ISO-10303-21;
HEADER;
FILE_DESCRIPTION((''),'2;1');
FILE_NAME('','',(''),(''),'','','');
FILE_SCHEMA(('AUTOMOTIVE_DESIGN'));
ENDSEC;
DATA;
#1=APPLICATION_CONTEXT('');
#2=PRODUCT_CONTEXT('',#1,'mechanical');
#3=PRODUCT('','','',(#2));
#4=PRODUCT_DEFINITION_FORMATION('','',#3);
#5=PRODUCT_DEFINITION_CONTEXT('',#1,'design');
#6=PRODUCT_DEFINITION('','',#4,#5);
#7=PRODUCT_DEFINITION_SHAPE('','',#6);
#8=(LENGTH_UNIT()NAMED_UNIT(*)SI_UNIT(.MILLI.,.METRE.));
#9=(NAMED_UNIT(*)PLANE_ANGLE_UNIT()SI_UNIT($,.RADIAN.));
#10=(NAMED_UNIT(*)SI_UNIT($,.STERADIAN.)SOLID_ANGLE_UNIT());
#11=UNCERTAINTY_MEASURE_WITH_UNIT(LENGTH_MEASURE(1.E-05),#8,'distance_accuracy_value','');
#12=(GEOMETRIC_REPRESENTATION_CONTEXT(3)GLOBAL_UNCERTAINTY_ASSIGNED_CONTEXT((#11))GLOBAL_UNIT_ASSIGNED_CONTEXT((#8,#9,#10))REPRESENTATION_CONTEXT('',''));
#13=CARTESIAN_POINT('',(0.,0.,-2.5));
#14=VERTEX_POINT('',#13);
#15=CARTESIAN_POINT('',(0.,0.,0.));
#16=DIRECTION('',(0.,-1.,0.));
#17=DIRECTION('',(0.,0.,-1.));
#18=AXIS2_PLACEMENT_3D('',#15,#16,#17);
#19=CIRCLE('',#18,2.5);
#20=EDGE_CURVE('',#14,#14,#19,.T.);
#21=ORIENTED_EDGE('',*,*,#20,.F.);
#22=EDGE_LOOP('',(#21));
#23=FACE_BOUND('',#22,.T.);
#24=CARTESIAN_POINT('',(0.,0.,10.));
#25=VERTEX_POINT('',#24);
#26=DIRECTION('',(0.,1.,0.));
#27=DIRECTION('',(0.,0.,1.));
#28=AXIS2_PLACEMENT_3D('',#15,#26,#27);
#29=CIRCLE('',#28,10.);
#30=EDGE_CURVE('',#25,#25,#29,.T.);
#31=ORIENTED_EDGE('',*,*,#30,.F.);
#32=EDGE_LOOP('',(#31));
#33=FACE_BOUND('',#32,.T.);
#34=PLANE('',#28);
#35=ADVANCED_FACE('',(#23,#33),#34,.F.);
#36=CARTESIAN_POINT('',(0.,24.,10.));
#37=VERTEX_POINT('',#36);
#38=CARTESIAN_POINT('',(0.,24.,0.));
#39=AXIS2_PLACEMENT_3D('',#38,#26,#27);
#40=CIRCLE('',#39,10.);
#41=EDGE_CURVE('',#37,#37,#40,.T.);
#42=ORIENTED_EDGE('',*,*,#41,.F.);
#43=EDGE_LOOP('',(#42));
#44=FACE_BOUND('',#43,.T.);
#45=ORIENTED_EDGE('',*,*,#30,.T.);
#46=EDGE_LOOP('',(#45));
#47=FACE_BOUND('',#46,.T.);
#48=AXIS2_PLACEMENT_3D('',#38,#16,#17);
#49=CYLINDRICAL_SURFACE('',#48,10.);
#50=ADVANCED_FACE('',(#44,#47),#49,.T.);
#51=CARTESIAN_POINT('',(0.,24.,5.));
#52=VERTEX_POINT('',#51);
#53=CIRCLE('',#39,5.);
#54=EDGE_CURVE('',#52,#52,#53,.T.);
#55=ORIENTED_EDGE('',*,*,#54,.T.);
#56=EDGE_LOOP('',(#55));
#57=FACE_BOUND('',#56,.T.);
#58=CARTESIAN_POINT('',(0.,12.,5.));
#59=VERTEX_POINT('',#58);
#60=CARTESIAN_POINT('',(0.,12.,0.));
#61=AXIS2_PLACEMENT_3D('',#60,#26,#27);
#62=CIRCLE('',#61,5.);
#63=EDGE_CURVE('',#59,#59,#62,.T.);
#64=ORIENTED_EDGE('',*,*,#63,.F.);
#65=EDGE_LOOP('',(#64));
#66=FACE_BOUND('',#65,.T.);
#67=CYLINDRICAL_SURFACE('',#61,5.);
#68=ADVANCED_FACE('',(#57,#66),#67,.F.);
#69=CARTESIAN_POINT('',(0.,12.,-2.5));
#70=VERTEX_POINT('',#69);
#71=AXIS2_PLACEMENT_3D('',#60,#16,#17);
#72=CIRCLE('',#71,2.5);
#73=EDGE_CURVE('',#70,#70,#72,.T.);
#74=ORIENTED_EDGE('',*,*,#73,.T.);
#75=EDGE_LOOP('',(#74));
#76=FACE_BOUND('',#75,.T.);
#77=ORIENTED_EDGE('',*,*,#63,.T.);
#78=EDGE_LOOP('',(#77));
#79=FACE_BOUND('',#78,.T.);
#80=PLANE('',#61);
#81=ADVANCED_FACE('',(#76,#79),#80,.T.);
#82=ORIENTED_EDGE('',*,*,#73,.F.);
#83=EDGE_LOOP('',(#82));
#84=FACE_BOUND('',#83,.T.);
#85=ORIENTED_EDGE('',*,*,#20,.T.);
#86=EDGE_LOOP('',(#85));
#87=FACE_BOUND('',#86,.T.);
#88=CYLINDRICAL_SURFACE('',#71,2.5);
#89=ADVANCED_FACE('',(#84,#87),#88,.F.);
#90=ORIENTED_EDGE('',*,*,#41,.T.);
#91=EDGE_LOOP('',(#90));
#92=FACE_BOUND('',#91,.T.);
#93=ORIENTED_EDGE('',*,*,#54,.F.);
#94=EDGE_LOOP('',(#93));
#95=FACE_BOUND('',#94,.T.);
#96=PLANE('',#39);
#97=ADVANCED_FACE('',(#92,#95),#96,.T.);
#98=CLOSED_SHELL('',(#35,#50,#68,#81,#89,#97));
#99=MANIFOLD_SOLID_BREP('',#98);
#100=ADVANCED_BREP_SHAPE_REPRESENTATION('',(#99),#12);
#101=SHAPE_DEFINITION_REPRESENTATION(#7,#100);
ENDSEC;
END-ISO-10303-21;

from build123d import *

# Parameters (mm, degrees)
SKETCH_1_R          = 10
EXTRUDE_1_DEPTH     = 24
SKETCH_3_R          = 5
CUT_EXTRUDE_1_DEPTH = 12
SKETCH_4_R          = 2.5
CUT_EXTRUDE_2_DEPTH = 12


with BuildPart() as part:
    # 草图1 → 凸台-拉伸1 (new body)
    with BuildSketch(Plane(origin=(0, 0, 0), x_dir=(1, 0, 0), z_dir=(0, 1, 0))):
        Circle(SKETCH_1_R)
    extrude(amount=EXTRUDE_1_DEPTH)

    # 草图3 → 切除-拉伸1 (cut)
    with BuildSketch(Plane(origin=(0, 24, 0), x_dir=(1, 0, 0), z_dir=(0, 1, 0))):
        Circle(SKETCH_3_R)
    extrude(amount=-CUT_EXTRUDE_1_DEPTH, mode=Mode.SUBTRACT)

    # 草图4 → 切除-拉伸2 (cut)
    with BuildSketch(Plane.XZ):
        Circle(SKETCH_4_R)
    extrude(amount=-CUT_EXTRUDE_2_DEPTH, mode=Mode.SUBTRACT)


solid = part.part
